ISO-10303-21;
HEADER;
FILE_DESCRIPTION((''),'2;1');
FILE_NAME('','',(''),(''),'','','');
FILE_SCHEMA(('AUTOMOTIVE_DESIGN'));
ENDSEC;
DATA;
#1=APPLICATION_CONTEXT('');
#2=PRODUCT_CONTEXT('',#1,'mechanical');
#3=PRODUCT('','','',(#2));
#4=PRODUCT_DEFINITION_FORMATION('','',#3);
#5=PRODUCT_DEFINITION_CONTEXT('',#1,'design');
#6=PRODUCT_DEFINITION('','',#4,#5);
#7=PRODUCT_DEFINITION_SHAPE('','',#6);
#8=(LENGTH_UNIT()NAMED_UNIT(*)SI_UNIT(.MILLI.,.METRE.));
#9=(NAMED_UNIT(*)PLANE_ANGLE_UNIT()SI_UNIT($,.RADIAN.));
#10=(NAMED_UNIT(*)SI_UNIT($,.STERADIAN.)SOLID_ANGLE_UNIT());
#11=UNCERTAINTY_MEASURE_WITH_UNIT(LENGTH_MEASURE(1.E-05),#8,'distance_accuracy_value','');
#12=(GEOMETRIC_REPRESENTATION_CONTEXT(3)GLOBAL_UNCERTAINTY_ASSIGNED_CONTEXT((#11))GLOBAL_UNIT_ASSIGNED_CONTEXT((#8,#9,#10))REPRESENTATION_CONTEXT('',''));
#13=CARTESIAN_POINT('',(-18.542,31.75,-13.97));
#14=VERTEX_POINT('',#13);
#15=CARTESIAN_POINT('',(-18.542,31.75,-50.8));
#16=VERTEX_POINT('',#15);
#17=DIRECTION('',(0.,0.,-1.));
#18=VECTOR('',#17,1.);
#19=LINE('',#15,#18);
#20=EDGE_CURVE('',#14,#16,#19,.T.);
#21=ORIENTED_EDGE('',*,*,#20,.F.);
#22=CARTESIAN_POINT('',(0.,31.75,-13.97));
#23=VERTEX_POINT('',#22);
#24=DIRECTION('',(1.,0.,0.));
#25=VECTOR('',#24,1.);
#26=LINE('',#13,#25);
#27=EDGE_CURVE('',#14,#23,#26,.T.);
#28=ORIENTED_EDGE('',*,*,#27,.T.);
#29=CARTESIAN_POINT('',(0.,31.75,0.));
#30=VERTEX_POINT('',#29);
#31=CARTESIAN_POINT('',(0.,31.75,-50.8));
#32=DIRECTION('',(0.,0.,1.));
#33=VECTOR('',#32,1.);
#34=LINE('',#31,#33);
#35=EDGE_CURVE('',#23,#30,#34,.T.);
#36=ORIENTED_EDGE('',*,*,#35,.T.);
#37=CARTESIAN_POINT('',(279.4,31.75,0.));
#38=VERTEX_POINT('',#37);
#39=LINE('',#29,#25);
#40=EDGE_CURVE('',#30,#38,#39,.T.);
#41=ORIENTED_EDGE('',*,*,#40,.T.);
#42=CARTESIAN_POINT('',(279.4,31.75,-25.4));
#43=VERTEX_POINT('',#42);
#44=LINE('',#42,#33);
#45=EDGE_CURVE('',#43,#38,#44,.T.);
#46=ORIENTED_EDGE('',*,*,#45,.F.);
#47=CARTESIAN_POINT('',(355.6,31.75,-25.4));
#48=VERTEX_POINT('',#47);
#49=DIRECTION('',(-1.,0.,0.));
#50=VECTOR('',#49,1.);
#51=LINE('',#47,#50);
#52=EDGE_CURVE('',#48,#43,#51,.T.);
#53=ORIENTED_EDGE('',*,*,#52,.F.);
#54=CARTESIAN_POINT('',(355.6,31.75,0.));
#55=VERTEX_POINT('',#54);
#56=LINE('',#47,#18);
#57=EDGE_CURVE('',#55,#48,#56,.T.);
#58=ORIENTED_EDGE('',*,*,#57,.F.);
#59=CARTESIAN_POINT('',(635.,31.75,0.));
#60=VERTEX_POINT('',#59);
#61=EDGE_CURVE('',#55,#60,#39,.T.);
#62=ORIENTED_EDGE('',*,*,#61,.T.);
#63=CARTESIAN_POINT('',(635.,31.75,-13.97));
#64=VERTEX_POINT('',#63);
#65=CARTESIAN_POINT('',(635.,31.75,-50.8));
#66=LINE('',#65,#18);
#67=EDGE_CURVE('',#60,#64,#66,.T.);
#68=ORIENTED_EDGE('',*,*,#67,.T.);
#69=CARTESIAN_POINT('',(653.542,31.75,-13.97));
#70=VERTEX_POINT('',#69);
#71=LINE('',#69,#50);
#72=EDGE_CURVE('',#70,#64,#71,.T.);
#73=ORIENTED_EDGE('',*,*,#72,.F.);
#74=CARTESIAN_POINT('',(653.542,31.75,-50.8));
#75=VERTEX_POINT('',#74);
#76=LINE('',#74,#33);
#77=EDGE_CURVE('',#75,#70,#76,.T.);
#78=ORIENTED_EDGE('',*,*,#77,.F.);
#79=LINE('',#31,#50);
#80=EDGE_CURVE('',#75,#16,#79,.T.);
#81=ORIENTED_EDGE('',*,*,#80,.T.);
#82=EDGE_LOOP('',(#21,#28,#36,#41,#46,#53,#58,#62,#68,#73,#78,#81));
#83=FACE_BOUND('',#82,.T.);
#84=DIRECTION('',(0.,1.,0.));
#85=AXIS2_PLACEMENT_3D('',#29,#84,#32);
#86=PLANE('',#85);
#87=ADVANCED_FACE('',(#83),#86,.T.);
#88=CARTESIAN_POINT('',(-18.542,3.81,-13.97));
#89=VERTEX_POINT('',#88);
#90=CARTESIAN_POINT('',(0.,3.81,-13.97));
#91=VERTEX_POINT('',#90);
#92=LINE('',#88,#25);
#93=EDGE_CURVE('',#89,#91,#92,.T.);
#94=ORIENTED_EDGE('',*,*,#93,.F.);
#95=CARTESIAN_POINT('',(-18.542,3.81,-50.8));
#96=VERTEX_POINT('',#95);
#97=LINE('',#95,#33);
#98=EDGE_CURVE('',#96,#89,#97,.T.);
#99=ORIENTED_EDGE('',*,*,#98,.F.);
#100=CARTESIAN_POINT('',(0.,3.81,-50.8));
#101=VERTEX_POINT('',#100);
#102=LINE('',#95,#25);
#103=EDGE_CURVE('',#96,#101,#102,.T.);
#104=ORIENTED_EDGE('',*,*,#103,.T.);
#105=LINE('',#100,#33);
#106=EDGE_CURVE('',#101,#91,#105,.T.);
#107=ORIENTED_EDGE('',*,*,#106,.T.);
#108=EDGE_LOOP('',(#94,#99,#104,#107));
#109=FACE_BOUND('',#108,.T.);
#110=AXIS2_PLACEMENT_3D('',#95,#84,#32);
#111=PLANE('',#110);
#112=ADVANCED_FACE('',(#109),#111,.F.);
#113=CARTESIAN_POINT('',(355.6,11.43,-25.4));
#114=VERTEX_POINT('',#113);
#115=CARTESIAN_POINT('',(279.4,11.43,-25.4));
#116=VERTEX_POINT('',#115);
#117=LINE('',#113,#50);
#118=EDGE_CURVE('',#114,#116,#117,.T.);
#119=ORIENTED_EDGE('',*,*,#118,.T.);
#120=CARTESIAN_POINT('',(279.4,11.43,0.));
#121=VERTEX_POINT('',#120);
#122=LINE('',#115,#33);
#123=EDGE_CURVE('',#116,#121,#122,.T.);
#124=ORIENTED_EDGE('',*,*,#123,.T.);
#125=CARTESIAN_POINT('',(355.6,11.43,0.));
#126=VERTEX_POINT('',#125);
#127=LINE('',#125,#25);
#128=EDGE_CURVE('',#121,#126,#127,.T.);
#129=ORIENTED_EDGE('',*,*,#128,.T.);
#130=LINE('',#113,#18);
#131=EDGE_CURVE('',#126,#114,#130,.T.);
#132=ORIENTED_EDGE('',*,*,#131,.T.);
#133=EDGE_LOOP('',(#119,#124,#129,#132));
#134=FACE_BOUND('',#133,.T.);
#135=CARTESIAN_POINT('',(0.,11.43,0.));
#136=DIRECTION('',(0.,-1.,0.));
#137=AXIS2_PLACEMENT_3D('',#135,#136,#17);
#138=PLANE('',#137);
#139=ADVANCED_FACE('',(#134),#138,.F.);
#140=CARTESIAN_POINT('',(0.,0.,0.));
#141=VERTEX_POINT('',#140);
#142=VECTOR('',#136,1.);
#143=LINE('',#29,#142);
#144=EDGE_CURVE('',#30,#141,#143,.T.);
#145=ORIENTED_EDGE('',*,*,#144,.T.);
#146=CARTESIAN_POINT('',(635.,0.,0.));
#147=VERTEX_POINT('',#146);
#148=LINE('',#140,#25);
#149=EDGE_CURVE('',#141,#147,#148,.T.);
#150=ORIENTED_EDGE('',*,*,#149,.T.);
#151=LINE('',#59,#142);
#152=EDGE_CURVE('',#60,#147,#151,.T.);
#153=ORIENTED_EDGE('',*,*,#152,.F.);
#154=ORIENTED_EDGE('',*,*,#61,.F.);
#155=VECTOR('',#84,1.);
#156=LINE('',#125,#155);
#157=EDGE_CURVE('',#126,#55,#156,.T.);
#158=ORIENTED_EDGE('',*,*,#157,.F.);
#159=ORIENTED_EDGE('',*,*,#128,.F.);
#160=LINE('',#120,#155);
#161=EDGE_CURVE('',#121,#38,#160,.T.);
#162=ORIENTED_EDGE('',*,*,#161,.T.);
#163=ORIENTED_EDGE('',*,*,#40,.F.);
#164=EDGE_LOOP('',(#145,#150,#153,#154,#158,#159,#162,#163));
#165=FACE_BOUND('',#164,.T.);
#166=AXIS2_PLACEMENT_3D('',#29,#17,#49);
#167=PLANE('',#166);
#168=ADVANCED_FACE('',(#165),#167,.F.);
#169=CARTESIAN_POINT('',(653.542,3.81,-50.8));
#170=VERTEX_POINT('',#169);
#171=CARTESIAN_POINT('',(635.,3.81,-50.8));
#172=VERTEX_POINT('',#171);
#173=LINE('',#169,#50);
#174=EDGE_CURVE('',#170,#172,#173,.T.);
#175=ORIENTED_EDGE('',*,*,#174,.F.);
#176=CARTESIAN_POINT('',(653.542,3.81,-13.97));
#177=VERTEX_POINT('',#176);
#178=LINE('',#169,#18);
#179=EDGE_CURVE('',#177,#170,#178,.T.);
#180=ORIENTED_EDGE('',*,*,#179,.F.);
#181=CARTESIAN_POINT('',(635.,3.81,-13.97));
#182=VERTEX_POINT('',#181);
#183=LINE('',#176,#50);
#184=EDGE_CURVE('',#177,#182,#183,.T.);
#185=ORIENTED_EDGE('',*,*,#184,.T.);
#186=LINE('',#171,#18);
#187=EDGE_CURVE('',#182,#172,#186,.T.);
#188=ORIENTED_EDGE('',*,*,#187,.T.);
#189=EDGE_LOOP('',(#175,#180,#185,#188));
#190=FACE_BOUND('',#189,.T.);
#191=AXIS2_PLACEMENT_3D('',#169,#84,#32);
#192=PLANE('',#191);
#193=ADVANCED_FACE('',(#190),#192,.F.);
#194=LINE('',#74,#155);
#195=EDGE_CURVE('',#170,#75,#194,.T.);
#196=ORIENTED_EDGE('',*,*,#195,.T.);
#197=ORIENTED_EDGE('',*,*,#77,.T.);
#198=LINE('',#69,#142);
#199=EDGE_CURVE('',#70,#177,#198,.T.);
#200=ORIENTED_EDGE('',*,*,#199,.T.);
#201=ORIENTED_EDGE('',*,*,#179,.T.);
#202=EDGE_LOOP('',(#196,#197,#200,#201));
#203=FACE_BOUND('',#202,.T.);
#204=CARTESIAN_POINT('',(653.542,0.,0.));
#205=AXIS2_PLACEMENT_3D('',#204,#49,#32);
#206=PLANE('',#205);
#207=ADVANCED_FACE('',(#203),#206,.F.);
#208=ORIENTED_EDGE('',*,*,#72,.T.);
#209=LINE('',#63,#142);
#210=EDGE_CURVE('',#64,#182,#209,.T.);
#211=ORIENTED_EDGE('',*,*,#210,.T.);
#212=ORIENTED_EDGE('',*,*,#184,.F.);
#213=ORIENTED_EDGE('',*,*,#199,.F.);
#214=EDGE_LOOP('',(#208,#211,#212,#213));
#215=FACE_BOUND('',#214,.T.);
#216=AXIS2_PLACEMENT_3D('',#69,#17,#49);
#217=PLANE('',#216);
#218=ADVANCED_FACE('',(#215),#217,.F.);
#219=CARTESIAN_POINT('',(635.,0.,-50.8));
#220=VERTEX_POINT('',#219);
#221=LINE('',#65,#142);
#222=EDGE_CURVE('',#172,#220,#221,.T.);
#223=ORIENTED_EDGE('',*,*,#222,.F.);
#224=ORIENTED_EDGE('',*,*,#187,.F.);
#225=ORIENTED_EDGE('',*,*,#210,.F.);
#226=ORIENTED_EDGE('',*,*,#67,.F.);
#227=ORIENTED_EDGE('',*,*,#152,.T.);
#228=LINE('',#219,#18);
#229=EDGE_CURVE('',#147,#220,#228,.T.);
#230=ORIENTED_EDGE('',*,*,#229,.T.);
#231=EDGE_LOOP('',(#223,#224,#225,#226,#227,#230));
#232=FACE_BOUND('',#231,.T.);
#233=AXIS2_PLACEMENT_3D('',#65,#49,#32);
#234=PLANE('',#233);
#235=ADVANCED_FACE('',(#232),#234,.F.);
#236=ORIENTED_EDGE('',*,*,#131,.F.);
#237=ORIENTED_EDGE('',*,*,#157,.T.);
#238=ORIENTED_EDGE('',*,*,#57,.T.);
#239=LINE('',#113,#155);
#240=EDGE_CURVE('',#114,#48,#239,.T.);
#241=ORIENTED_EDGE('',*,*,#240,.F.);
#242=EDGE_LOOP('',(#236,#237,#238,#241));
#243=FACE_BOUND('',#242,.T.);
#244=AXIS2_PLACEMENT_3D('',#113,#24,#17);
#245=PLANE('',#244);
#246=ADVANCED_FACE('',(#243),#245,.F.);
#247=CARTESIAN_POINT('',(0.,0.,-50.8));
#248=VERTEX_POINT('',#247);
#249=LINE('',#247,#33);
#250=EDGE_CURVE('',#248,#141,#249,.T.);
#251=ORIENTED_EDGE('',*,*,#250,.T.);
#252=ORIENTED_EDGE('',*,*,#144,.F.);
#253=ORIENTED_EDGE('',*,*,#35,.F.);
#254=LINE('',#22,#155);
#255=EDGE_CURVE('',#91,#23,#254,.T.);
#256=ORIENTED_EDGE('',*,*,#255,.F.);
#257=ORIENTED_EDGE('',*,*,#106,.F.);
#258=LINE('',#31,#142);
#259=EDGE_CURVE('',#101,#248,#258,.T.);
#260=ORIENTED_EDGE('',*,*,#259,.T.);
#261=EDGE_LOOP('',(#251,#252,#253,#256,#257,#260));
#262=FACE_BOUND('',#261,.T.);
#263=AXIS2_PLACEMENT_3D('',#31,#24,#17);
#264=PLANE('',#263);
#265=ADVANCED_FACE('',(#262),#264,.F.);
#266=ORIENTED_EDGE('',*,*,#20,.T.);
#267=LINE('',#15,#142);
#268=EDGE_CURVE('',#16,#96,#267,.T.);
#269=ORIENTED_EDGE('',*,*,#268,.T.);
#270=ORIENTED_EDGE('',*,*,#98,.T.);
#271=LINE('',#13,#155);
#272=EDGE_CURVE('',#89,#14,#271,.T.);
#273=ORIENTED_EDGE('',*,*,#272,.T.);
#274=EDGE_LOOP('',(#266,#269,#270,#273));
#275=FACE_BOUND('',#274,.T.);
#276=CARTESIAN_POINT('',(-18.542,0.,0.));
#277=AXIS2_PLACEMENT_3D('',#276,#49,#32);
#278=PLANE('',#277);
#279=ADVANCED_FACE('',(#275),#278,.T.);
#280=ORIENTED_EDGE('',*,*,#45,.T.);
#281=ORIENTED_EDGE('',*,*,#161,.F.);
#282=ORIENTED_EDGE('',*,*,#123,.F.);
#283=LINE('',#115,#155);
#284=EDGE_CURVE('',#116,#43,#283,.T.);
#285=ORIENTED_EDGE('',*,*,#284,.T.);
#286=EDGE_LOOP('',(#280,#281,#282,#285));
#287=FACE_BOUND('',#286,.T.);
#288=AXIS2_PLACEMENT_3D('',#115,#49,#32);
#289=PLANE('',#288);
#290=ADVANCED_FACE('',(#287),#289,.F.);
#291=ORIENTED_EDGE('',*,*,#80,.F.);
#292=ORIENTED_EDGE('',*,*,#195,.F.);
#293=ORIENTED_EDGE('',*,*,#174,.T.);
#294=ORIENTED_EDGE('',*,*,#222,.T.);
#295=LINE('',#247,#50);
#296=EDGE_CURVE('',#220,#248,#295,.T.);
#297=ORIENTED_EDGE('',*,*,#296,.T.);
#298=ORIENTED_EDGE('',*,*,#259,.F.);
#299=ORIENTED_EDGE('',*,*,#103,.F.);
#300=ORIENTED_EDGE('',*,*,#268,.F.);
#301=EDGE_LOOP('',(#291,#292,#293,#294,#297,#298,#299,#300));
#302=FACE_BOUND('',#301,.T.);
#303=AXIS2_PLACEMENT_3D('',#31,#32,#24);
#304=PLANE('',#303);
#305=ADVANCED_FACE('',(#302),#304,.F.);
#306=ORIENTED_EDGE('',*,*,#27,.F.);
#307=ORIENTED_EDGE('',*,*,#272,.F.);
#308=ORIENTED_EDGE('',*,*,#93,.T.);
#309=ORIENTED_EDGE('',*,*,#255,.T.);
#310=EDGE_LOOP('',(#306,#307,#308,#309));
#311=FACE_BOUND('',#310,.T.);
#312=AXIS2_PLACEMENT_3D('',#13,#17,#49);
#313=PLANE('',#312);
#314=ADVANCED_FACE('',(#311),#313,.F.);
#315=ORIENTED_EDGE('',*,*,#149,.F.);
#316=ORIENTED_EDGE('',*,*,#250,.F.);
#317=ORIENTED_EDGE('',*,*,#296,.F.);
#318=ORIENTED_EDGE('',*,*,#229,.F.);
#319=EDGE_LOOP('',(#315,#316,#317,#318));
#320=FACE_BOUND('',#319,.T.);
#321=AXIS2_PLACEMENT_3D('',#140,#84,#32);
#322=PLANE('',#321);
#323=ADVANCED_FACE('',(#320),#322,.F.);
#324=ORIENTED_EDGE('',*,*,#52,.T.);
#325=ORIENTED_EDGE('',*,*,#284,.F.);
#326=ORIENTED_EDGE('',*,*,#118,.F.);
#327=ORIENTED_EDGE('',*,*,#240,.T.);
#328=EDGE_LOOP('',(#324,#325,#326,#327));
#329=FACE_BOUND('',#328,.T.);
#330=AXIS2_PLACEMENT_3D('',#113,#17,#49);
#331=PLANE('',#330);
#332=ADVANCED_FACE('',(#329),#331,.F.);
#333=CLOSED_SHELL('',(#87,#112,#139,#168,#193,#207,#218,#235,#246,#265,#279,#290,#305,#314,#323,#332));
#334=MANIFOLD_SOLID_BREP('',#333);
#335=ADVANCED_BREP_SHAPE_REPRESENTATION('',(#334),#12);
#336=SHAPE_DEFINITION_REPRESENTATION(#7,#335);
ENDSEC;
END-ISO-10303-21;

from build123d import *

# Parameters (mm, degrees)
SKETCH1_W           = 635
SKETCH1_H           = 50.8
BOSS_EXTRUDE1_DEPTH = 31.75
SKETCH2_W           = 36.83
SKETCH2_H           = 27.94
BOSS_EXTRUDE2_DEPTH = 18.542
SKETCH3_W           = 36.83
SKETCH3_H           = 27.94
BOSS_EXTRUDE3_DEPTH = 18.542
SKETCH4_W           = 76.2
SKETCH4_H           = 25.4
CUT_EXTRUDE1_DEPTH  = 20.32


with BuildPart() as part:
    # Sketch1 → Boss-Extrude1 (new body)
    with BuildSketch(Plane(origin=(0, 0, 0), x_dir=(1, 0, 0), z_dir=(0, 1, 0))):
        with Locations((317.5, 25.4)):
            Rectangle(SKETCH1_W, SKETCH1_H)
    extrude(amount=BOSS_EXTRUDE1_DEPTH)

    # Sketch2 → Boss-Extrude2 (add)
    with BuildSketch(Plane(origin=(635, 0, 0), x_dir=(0, 0, -1), z_dir=(1, 0, 0))):
        with Locations((32.385, 17.78)):
            Rectangle(SKETCH2_W, SKETCH2_H)
    extrude(amount=BOSS_EXTRUDE2_DEPTH)

    # Sketch3 → Boss-Extrude3 (add)
    with BuildSketch(Plane.ZY):
        with Locations((-32.385, 17.78)):
            Rectangle(SKETCH3_W, SKETCH3_H)
    extrude(amount=BOSS_EXTRUDE3_DEPTH)

    # Sketch4 → Cut-Extrude1 (cut)
    with BuildSketch(Plane(origin=(0, 31.75, 0), x_dir=(1, 0, 0), z_dir=(0, 1, 0))):
        with Locations((317.5, 12.7)):
            Rectangle(SKETCH4_W, SKETCH4_H)
    extrude(amount=-CUT_EXTRUDE1_DEPTH, mode=Mode.SUBTRACT)


solid = part.part
